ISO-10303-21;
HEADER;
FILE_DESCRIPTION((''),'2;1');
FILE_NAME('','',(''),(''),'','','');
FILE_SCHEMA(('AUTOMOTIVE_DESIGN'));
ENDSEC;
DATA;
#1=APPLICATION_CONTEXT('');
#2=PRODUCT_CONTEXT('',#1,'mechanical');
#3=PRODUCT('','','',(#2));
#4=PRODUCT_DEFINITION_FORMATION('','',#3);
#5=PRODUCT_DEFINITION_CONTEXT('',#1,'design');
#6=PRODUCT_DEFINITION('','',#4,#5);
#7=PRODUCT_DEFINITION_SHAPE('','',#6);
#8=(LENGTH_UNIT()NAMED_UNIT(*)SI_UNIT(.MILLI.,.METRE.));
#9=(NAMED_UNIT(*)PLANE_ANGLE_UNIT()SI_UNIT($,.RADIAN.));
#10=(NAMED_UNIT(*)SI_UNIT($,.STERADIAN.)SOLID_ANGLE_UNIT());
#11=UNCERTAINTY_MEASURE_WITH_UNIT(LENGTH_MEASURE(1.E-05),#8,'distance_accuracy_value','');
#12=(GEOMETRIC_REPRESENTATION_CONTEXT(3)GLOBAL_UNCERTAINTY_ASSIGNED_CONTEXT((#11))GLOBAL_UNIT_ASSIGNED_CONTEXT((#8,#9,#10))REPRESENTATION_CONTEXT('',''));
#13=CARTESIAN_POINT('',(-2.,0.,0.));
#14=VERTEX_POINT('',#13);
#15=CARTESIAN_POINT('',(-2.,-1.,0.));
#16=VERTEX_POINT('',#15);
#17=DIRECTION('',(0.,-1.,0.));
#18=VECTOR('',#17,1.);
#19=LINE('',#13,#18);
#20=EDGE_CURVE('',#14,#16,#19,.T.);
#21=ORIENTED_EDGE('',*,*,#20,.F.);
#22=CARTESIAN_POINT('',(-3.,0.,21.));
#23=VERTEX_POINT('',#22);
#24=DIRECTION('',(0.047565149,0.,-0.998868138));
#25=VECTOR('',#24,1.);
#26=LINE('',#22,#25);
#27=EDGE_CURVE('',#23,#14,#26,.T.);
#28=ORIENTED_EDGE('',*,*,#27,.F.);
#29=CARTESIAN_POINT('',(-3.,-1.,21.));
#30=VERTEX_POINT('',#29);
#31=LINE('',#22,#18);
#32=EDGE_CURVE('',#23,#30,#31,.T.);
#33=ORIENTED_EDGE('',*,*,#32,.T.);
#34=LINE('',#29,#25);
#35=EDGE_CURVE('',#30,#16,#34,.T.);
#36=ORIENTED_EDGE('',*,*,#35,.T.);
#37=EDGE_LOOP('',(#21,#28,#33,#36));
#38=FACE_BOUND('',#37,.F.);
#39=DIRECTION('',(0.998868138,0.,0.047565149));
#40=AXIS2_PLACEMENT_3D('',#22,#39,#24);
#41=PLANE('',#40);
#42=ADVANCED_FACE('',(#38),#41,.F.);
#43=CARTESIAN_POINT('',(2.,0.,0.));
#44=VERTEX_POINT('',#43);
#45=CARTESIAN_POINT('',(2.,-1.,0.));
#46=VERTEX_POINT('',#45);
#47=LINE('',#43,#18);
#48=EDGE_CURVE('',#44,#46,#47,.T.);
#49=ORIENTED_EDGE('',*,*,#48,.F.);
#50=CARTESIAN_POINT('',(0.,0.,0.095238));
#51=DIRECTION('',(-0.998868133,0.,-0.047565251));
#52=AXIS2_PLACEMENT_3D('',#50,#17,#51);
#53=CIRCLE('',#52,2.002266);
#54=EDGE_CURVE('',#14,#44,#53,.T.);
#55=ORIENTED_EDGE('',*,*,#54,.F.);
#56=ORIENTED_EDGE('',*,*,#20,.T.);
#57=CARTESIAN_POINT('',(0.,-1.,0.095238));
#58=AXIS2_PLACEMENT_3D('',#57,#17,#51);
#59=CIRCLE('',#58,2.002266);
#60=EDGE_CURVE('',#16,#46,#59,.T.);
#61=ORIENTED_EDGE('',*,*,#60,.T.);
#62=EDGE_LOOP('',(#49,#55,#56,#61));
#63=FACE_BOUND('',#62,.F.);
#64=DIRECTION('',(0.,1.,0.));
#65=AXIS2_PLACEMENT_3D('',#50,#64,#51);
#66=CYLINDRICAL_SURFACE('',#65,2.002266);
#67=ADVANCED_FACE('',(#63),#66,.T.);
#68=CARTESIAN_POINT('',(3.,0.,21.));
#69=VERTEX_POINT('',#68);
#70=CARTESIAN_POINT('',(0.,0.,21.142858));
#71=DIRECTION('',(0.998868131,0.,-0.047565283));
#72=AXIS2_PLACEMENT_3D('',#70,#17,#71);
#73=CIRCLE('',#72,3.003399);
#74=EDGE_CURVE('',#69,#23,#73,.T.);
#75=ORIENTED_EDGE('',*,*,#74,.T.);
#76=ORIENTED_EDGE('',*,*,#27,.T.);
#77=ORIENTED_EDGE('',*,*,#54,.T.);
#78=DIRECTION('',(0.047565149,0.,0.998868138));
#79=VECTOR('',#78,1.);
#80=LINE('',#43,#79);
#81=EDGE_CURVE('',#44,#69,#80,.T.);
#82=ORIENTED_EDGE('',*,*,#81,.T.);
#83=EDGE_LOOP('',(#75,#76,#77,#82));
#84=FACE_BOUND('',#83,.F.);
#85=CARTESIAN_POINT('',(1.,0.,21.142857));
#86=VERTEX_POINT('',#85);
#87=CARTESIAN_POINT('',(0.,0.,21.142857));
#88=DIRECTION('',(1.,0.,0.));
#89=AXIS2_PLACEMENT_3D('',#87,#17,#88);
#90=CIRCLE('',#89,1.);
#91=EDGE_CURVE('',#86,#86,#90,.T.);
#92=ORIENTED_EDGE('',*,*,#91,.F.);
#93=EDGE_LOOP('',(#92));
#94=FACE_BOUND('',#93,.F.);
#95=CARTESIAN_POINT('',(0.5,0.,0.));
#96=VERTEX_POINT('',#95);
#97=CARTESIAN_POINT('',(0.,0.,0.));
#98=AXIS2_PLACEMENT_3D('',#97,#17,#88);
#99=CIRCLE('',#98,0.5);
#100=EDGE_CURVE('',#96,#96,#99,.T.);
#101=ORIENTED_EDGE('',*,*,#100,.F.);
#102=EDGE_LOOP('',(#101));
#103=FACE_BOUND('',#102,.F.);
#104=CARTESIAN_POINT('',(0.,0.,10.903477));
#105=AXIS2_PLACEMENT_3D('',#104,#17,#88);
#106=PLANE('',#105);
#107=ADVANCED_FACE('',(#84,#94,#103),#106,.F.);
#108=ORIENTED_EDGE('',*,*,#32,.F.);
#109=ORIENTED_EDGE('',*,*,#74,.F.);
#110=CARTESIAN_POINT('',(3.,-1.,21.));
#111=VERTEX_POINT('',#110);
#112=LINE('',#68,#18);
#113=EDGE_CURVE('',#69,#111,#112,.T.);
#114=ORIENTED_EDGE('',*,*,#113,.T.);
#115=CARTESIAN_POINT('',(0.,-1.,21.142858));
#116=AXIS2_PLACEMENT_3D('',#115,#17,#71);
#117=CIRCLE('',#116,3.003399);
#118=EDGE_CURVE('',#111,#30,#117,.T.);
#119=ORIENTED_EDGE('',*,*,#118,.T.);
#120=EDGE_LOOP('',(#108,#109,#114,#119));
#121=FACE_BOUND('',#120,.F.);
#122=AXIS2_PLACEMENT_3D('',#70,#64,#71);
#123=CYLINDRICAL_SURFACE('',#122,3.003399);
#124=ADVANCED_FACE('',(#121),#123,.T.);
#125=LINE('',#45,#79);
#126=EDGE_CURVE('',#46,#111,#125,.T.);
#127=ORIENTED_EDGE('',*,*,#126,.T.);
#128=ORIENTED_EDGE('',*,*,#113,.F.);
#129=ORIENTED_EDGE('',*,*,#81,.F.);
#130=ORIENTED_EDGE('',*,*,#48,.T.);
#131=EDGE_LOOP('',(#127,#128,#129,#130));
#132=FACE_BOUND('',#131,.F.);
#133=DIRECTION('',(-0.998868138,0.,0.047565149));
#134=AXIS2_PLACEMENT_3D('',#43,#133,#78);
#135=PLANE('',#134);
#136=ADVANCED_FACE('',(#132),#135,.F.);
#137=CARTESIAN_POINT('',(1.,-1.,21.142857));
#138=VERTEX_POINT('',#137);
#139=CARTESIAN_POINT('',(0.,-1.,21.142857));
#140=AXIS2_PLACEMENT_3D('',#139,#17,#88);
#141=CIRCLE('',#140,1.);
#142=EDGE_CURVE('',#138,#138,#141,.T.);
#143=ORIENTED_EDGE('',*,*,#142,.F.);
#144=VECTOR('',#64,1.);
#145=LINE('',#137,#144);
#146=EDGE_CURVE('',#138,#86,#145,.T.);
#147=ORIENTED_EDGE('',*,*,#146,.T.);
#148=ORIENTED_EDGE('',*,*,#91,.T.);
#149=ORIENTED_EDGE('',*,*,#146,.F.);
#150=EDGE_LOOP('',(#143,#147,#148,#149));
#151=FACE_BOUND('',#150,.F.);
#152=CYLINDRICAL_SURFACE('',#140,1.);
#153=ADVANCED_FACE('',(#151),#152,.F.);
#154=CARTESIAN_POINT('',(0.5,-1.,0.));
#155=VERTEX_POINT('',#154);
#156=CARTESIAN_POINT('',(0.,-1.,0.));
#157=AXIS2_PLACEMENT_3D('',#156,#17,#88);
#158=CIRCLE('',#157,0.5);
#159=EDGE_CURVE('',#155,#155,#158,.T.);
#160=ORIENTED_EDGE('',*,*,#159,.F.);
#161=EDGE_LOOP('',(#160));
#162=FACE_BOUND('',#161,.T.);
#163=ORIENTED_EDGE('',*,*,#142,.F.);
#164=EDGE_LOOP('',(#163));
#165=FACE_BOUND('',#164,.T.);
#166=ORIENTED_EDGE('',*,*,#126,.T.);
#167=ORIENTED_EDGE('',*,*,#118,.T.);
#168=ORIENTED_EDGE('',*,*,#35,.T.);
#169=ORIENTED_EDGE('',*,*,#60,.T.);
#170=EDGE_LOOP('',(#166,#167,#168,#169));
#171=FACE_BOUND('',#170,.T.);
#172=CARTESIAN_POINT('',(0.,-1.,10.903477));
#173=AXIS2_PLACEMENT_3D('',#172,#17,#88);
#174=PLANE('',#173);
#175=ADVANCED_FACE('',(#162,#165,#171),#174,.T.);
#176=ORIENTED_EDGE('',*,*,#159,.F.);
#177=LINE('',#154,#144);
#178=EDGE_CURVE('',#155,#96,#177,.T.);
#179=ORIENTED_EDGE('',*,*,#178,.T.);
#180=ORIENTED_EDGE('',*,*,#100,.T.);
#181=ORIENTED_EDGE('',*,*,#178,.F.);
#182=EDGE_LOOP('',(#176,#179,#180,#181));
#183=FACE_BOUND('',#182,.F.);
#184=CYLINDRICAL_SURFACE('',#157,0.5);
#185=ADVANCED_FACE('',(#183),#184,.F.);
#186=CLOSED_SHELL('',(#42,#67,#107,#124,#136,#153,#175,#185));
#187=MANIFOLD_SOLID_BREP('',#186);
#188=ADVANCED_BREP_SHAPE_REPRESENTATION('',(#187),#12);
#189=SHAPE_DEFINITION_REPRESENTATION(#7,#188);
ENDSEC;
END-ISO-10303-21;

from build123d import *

# Parameters (mm, degrees)
F1_DEPTH = 1
F2_R     = 1
F2_R_2   = 0.5
F3_DEPTH = 1.001


with BuildPart() as f1:
    # F0 (on Front) → F1 (new body)
    with BuildSketch(Plane.XZ):
        Polygon((-3, 21), (-2, 0), (2, 0), (3, 21), align=None)
        with BuildLine():
            ThreePointArc((3, 21), (0, 24.146257), (-3, 21))
            Line((-3, 21), (3, 21))
        make_face()
        with BuildLine():
            Line((2, 0), (-2, 0))
            ThreePointArc((-2, 0), (0, -1.907028), (2, 0))
        make_face()
    extrude(amount=F1_DEPTH)

    # F2 (on face) → F3 (cut, through all)
    with BuildSketch(Plane.XZ.offset(1)):
        with Locations((0, 21.142857)):
            Circle(F2_R)
        Circle(F2_R_2)
    extrude(amount=-F3_DEPTH, mode=Mode.SUBTRACT)


solid = f1.part
